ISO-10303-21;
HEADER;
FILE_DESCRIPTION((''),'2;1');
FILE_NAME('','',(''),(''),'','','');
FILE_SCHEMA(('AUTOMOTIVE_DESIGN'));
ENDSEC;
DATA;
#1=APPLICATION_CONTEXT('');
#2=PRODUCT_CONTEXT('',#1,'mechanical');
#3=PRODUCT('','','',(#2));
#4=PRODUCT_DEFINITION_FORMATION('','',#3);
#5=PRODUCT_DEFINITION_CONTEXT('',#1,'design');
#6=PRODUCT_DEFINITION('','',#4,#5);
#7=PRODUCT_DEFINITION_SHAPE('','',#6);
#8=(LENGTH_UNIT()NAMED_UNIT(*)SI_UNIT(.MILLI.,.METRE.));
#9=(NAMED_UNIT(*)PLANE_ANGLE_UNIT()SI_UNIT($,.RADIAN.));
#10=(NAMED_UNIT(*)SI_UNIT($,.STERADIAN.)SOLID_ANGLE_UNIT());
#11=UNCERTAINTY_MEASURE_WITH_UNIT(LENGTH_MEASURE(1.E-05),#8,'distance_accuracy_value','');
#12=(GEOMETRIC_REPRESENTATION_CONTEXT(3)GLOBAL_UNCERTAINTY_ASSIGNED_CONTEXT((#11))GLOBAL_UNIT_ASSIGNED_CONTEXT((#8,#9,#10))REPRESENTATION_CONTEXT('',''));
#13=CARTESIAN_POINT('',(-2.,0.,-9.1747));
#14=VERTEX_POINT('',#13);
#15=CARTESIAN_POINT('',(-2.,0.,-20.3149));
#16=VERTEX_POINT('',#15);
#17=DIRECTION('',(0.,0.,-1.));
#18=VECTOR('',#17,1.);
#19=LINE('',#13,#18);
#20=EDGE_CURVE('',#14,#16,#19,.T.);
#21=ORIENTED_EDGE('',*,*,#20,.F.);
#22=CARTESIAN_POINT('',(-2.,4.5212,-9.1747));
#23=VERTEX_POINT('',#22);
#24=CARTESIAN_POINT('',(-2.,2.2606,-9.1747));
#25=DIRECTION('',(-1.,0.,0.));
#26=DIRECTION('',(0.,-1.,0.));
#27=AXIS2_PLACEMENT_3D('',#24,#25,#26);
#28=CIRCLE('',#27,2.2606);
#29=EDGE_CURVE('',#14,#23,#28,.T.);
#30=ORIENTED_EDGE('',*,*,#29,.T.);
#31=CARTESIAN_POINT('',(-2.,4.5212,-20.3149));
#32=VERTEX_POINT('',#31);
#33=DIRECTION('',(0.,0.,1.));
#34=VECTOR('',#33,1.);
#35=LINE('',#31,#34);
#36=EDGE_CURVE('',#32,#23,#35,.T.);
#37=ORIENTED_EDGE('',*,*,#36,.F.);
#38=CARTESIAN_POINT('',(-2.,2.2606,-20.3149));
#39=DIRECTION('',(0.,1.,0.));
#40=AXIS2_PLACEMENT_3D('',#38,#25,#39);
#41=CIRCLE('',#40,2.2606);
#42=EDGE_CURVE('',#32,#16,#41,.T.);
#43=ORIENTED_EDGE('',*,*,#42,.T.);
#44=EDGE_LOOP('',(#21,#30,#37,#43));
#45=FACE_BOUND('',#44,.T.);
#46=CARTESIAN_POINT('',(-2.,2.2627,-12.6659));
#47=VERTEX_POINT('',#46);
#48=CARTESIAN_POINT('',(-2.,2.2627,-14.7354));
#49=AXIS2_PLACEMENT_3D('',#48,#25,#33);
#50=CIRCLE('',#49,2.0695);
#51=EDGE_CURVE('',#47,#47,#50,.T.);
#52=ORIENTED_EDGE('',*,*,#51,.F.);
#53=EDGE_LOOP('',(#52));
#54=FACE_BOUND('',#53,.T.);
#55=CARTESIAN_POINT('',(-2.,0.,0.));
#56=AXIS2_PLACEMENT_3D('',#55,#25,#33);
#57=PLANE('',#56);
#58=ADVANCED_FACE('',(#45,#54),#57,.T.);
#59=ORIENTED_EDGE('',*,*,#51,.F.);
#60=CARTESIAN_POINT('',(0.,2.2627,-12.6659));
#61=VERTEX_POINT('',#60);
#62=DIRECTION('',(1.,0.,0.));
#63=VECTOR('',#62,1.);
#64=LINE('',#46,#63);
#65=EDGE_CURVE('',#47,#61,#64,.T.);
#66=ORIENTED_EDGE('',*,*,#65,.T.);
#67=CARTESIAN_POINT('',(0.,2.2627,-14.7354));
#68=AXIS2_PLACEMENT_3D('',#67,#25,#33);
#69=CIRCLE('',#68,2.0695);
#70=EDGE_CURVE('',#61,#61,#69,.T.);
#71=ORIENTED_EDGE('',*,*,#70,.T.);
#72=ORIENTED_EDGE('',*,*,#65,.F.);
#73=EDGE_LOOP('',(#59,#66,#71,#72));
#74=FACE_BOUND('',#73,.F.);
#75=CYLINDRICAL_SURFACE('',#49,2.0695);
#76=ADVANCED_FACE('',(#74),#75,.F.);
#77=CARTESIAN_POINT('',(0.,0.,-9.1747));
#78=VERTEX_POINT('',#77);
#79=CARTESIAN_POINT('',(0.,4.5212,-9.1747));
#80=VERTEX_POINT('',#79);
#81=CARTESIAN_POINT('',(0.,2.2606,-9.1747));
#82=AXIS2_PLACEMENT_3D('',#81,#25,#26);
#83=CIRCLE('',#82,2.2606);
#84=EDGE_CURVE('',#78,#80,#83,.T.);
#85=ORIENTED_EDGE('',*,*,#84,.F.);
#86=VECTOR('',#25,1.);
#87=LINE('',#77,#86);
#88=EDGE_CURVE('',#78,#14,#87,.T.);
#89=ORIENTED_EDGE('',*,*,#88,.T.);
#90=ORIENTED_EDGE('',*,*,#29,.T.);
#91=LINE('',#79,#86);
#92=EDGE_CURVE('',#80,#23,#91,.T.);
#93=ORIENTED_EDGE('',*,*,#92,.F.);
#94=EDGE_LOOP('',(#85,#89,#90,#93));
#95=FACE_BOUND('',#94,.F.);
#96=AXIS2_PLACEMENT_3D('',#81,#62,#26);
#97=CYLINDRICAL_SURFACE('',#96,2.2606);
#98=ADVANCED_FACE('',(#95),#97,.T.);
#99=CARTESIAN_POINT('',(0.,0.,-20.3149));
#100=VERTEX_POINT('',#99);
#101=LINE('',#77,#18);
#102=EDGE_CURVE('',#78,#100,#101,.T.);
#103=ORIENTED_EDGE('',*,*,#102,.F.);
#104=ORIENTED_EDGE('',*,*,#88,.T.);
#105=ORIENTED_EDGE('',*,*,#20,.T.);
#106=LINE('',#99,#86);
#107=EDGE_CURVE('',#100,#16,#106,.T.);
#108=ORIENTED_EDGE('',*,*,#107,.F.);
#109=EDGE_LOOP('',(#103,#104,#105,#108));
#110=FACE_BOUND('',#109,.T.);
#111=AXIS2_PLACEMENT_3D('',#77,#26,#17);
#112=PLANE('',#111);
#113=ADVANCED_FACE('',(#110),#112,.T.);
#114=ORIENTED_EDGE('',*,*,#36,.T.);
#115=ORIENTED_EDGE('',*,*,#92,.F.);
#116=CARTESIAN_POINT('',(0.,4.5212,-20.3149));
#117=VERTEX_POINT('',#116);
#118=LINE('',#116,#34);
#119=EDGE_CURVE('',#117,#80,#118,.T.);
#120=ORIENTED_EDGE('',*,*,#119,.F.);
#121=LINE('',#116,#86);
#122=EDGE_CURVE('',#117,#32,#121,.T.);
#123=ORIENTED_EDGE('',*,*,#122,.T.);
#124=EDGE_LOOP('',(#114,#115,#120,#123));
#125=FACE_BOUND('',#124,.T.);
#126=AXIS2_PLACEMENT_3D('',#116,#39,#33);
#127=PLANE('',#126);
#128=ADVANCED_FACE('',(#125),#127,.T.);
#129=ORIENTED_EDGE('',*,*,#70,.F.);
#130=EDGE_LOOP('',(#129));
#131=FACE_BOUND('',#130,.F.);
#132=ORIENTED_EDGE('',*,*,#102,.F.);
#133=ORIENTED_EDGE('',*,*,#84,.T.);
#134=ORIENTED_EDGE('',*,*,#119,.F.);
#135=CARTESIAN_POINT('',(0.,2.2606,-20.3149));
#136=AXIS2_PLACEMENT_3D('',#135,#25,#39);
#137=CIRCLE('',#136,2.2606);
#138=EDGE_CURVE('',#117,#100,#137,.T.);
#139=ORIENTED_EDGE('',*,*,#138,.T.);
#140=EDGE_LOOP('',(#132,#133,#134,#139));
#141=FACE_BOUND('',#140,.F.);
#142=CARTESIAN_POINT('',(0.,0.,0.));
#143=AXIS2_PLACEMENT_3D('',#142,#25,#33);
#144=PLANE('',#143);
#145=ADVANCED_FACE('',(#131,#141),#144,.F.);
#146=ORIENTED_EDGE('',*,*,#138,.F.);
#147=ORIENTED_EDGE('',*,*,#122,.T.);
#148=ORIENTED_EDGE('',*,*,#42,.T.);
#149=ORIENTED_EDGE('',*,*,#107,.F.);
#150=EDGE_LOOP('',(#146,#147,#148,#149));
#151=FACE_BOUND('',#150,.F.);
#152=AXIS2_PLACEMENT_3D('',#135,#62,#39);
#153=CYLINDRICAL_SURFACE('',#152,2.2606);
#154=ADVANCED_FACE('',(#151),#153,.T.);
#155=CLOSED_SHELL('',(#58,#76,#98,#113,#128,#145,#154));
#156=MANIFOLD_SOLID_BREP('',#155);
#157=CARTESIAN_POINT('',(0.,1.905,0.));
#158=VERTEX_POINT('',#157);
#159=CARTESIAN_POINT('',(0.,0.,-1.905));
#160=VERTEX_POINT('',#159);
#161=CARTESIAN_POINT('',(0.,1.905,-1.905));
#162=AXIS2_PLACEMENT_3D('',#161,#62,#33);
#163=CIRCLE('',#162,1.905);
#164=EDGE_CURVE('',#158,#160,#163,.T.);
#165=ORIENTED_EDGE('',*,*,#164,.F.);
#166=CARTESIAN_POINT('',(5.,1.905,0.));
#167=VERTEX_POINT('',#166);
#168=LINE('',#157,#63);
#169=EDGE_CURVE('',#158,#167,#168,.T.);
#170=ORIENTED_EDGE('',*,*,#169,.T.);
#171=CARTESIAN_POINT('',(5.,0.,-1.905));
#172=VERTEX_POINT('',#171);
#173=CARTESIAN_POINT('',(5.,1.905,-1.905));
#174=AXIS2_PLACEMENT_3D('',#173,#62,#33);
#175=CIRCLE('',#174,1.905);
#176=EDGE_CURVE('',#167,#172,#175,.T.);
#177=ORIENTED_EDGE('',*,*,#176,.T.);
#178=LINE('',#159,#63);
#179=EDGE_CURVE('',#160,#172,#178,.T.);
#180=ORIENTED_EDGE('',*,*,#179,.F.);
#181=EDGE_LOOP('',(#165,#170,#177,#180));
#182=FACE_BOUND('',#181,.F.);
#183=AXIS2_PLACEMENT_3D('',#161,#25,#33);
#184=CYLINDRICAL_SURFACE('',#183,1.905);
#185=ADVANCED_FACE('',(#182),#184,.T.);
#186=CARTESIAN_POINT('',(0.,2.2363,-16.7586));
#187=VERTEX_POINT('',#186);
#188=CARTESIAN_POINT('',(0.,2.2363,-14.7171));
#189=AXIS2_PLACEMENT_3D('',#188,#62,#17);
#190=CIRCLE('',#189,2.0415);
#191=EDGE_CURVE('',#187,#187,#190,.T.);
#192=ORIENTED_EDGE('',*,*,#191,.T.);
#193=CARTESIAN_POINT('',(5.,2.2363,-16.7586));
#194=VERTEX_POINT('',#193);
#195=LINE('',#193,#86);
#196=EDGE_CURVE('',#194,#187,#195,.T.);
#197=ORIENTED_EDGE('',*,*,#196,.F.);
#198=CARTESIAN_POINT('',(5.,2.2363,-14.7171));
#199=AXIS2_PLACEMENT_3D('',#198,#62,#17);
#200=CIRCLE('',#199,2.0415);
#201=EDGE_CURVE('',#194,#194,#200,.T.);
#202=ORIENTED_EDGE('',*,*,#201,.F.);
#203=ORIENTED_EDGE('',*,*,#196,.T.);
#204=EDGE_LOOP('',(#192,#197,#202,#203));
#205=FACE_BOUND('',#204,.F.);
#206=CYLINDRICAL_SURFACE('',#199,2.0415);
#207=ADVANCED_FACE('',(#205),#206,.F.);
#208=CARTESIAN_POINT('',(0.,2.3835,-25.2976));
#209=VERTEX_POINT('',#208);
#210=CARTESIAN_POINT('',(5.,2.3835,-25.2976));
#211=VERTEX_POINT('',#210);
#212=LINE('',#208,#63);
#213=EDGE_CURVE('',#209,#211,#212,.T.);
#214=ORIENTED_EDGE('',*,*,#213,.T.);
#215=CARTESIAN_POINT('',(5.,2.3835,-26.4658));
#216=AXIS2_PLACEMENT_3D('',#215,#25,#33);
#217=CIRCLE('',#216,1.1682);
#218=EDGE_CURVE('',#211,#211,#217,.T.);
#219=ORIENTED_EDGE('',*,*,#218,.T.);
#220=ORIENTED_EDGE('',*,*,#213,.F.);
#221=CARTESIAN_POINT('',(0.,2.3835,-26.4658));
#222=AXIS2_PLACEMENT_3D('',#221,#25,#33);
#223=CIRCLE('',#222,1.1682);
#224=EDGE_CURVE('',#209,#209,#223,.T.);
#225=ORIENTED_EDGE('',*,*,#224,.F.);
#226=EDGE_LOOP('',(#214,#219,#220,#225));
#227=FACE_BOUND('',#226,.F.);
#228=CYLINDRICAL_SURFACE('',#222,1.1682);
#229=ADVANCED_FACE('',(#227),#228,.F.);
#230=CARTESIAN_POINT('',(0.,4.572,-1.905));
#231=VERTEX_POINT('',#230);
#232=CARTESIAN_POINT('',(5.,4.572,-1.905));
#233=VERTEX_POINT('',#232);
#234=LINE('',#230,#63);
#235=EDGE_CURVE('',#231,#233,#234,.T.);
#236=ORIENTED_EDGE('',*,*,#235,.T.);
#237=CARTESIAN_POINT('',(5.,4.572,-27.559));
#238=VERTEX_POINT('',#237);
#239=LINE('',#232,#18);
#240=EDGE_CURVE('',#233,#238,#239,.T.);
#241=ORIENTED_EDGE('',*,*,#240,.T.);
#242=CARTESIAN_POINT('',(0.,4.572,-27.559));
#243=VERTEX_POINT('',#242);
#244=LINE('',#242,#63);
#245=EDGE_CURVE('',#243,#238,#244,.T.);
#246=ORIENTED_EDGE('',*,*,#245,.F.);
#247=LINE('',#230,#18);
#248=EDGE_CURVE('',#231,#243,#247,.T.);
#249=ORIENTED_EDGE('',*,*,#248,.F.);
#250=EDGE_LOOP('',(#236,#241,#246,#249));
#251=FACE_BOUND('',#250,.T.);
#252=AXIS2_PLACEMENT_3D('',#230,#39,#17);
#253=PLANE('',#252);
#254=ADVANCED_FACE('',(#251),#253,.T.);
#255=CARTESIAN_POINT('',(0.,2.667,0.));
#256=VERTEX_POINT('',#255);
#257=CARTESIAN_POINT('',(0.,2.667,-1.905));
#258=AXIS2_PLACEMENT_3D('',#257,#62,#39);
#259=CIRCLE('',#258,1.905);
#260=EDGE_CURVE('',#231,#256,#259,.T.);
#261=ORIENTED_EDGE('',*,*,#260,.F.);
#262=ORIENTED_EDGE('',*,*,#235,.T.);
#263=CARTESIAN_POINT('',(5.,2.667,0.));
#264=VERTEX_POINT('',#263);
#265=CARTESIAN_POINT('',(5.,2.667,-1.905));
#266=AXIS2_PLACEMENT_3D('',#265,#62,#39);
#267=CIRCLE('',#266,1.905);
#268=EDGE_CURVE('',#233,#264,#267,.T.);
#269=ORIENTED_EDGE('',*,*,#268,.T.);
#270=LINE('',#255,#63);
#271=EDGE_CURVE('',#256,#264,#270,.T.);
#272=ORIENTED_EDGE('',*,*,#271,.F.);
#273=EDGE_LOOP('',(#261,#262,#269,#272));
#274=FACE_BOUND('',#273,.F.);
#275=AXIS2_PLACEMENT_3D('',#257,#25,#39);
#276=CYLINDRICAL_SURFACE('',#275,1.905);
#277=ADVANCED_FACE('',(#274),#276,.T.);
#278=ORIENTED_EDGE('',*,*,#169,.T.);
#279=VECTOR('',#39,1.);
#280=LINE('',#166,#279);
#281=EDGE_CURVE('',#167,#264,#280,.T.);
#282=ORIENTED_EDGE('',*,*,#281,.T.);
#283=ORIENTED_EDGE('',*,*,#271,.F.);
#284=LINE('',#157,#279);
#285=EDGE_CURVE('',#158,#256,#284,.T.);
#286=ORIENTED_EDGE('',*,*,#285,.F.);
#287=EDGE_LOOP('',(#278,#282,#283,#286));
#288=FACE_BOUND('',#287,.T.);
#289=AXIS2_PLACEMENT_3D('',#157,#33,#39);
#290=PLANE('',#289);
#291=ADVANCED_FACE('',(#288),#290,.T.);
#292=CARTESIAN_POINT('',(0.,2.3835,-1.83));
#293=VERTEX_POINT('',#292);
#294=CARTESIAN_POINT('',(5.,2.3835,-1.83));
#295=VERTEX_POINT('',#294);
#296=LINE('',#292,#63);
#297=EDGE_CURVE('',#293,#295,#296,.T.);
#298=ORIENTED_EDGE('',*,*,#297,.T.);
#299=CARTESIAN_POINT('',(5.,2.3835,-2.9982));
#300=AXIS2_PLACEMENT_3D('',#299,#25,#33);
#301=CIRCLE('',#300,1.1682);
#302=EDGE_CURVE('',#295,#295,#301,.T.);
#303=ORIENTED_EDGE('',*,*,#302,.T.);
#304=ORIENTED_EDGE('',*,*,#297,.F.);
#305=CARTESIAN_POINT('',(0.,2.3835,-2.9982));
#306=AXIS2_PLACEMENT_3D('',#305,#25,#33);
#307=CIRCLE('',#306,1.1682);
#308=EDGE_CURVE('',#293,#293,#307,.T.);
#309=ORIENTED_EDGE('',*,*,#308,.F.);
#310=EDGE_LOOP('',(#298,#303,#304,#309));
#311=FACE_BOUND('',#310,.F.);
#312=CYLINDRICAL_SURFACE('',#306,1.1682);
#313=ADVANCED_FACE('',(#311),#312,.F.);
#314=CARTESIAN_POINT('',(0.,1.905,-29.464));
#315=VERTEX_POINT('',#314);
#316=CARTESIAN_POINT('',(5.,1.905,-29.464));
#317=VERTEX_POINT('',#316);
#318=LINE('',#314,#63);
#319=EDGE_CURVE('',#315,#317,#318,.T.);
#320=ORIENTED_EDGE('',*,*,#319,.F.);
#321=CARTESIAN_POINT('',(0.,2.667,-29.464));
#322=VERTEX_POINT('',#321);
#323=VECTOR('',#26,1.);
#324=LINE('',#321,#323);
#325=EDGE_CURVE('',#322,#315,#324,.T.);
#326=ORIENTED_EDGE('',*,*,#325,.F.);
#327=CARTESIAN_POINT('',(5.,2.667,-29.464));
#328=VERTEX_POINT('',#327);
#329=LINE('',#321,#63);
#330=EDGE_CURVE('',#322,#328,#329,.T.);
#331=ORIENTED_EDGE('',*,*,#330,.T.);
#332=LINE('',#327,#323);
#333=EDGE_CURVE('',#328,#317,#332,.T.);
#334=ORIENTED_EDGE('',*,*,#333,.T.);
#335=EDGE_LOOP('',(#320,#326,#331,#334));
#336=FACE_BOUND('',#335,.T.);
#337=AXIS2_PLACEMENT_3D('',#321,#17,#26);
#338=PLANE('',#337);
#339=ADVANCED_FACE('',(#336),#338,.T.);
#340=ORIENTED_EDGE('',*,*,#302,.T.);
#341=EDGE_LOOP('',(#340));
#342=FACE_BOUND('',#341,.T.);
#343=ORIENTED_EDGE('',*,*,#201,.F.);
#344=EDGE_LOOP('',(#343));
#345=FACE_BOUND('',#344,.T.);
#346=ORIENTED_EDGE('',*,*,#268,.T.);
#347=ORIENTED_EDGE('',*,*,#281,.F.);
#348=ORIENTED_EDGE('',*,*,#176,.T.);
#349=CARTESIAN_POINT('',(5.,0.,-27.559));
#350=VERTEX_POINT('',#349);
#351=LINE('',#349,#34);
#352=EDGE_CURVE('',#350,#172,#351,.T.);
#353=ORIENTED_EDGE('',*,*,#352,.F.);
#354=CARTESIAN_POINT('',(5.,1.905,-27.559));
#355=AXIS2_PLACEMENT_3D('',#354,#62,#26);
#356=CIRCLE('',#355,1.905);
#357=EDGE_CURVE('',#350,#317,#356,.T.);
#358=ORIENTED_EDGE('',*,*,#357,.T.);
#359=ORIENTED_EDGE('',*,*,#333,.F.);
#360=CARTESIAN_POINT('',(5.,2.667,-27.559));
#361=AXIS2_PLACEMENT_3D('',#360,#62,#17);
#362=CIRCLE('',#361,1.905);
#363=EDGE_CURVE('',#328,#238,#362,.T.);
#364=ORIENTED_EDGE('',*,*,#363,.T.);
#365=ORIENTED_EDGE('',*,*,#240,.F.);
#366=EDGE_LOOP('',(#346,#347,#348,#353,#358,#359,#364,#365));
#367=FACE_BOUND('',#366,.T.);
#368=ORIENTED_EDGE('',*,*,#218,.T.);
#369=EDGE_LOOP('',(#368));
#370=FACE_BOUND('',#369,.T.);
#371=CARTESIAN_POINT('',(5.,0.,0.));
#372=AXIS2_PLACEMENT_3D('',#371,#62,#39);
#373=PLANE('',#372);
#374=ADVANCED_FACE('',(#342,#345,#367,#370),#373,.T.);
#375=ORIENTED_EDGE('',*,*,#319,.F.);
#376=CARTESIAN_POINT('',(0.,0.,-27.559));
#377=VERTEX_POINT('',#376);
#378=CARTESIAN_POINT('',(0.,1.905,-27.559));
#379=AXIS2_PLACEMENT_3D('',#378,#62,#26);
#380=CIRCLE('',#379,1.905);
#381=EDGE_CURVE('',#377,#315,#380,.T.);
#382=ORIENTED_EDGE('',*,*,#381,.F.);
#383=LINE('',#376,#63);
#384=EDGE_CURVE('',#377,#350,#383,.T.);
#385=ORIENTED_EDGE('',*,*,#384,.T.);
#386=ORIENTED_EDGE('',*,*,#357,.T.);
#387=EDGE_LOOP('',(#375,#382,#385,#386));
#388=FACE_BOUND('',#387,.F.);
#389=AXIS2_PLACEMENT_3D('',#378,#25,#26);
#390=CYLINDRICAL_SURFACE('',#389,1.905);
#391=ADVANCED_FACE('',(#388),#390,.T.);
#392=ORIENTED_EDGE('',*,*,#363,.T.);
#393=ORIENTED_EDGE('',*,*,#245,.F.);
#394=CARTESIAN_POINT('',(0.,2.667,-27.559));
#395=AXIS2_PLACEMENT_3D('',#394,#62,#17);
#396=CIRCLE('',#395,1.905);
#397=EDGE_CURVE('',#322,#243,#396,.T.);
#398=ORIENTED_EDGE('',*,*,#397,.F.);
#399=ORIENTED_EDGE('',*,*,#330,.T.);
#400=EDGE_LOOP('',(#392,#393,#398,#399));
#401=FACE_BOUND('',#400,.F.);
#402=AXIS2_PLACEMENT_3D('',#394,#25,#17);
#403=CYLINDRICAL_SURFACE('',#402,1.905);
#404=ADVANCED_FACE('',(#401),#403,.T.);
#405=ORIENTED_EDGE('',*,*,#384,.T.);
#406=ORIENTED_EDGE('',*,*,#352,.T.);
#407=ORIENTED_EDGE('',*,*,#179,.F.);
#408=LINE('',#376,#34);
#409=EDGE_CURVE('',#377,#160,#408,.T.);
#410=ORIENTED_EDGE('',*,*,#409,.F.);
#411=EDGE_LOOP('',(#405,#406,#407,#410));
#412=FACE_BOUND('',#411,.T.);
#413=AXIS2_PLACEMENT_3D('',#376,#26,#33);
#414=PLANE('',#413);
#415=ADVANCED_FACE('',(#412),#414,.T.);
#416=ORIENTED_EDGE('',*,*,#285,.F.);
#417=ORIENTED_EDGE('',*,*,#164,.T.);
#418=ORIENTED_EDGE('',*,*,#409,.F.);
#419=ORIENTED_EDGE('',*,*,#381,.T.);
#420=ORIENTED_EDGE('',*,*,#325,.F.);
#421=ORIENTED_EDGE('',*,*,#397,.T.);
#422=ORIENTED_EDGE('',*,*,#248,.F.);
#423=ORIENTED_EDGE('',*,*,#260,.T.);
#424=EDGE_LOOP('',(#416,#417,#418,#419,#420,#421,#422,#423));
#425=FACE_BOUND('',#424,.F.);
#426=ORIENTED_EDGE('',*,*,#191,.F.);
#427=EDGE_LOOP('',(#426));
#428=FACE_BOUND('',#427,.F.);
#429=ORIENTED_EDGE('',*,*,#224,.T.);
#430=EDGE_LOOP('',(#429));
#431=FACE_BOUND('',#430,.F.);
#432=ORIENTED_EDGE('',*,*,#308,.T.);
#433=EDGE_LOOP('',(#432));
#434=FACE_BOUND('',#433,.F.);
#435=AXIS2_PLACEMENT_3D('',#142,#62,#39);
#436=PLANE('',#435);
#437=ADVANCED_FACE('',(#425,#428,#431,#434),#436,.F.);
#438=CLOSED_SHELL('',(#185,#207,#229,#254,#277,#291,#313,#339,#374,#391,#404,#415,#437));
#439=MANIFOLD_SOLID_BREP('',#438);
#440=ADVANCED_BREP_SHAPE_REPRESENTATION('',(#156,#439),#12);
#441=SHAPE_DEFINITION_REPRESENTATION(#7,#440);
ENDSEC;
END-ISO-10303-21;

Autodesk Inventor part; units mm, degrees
ref_plane "YZ Plane" through (0, 0, 0) normal (1, 0, 0) x (0, 1, 0)
ref_plane "XZ Plane" through (0, 0, 0) normal (0, 1, 0) x (-1, 0, 0)
ref_plane "XY Plane" through (0, 0, 0) normal (0, 0, 1) x (1, 0, 0)
sketch "Sketch1" plane through (0, 0, 0) normal (1, 0, 0) x (0, 1, 0)
  line L0 (1.905, 0) -> (2.667, 0)
  line L1 (4.572, -1.905) -> (4.572, -27.559)
  line L2 (2.667, -29.464) -> (1.905, -29.464)
  line L3 (0, -27.559) -> (0, -1.905)
  arc A0 (4.572, -1.905) -> (2.667, 0) centre (2.667, -1.905) ccw
  arc A1 (1.905, 0) -> (0, -1.905) centre (1.905, -1.905) ccw
  arc A2 (0, -27.559) -> (1.905, -29.464) centre (1.905, -27.559) ccw
  arc A3 (2.667, -29.464) -> (4.572, -27.559) centre (2.667, -27.559) ccw
  circle A4 centre (2.286, -14.732) radius 1.5367
  point P0 (0, 0)
  point P1 (4.572, -29.464)
  point P2 (4.572, 0)
  point P3 (0, -29.464)
  dimension "d0" = 4.572
  dimension "d1" = 29.464
  dimension "d2" = 1.905
  dimension "d3" = 3.0734
extrude "Extrusion1" add sketch "Sketch1" along normal blind 5
sketch "Sketch2" plane through (0, 0, 0) normal (-1, 0, 0) x (0, 0, 1)
  circle A0 centre (-26.4658, 2.3835) radius 1.1682
  line L0 (-27.559, 4.572) -> (-1.905, 4.572) projected
  line L1 (-1.905, 0) -> (-27.559, 0) projected
  circle A1 centre (-2.9982, 2.3835) radius 1.1682
  point P0 (0, 0)
extrude "Extrusion2" cut sketch "Sketch2" against normal through all
sketch "Sketch3" plane through (0, 0, 0) normal (-1, 0, 0) x (0, 0, 1)
  line L0 (-20.3149, 2.2606) -> (-9.1747, 2.2606) construction
  line L1 (-20.3149, 4.5212) -> (-9.1747, 4.5212)
  line L2 (-9.1747, 0) -> (-20.3149, 0)
  arc A0 (-20.3149, 4.5212) -> (-20.3149, 0) centre (-20.3149, 2.2606) ccw
  arc A1 (-9.1747, 0) -> (-9.1747, 4.5212) centre (-9.1747, 2.2606) ccw
  point P0 (0, 0)
  point P1 (-14.7448, 2.2606)
extrude "Extrusion3" add sketch "Sketch3" along normal blind 2 separate body
sketch "Sketch4" plane through (-2, 0, 0) normal (-1, 0, 0) x (0, 0, 1)
  circle A0 centre (-14.7356, 2.2845) radius 1.5229
  point P0 (0, 0)
extrude "Extrusion4" cut sketch "Sketch4" against normal blind 2 bodies 2
sketch "Sketch5" plane through (-2, 0, 0) normal (-1, 0, 0) x (0, 0, 1)
  circle A0 centre (-14.7354, 2.2627) radius 2.0695
  point P0 (0, 0)
extrude "Extrusion5" cut sketch "Sketch5" against normal through all bodies 2
sketch "Sketch6" plane through (5, 0, 0) normal (1, 0, 0) x (0, 0, -1)
  circle A0 centre (14.7171, 2.2363) radius 2.0415
  point P0 (0, 0)
extrude "Extrusion6" cut sketch "Sketch6" against normal through all bodies 1
properties part number "Fastener"
